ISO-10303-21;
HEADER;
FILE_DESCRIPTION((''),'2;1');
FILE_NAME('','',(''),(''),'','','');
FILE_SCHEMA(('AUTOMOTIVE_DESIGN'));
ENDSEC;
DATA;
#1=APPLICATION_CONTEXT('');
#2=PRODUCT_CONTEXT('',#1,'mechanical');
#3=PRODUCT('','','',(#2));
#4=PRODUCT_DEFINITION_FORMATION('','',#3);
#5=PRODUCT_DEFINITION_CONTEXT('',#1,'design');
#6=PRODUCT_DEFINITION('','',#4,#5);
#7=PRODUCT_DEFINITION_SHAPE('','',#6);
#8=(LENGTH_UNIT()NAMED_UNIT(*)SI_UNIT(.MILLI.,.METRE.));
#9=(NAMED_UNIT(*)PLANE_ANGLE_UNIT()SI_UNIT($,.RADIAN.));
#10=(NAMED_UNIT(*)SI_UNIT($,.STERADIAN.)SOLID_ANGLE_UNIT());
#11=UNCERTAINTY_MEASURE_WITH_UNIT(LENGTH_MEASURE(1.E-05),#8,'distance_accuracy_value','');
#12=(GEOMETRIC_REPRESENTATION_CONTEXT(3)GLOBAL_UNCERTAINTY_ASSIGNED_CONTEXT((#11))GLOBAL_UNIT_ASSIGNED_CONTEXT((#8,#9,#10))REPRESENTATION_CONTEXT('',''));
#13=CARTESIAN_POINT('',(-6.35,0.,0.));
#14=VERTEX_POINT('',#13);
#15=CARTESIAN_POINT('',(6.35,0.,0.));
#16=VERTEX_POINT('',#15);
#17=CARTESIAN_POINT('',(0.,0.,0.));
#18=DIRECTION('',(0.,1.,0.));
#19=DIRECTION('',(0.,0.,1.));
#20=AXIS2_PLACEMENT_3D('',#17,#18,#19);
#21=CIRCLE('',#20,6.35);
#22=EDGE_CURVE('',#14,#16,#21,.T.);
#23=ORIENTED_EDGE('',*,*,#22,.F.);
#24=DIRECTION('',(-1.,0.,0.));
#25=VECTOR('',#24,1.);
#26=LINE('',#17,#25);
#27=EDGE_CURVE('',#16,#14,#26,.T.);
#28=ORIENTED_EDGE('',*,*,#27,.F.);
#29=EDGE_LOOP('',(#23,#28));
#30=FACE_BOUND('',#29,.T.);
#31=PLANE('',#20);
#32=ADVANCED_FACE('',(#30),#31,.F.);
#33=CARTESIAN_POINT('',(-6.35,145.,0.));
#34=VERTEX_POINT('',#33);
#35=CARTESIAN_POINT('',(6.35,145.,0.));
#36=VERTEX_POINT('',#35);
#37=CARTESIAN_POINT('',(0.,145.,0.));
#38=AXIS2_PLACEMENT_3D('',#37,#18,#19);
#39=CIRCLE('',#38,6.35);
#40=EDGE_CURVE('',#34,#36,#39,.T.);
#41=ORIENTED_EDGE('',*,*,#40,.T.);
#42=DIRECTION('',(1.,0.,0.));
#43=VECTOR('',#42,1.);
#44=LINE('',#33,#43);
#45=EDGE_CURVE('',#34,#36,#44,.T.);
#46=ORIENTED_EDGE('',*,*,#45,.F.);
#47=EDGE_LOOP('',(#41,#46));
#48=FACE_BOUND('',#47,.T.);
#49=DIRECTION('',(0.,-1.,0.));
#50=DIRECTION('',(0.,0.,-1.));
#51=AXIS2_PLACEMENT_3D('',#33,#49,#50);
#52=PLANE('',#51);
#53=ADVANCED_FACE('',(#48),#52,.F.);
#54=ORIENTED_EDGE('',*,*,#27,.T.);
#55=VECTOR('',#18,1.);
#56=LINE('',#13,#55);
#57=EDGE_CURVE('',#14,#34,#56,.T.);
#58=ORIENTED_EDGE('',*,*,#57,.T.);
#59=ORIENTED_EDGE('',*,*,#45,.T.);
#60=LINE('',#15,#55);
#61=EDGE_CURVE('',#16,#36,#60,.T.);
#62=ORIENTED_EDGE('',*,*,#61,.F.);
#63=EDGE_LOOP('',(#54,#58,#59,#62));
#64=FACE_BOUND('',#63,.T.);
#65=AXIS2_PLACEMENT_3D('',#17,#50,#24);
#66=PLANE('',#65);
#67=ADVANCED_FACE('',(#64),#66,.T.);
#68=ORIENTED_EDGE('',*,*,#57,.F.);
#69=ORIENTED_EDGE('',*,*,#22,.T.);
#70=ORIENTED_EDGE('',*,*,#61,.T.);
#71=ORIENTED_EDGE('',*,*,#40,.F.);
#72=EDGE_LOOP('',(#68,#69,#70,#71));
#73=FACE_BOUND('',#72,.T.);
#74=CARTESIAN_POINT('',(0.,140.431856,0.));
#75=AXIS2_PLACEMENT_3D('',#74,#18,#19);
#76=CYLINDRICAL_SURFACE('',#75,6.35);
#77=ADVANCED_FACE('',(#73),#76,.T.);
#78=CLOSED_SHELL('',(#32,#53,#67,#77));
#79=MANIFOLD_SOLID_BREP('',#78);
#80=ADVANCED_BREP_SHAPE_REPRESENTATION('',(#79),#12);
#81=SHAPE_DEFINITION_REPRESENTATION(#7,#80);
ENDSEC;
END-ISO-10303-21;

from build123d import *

# Parameters (mm, degrees)
SKETCH1_W      = 6.35
SKETCH1_H      = 145
REVOLVE1_ANGLE = 180


with BuildPart() as part:
    # Sketch1 → Revolve1 (revolve)
    with BuildSketch(Plane.XY):
        with Locations((3.175, 72.5)):
            Rectangle(SKETCH1_W, SKETCH1_H)
    revolve(axis=Axis((0, 140.431855582, 0), (0, -1, 0)), revolution_arc=REVOLVE1_ANGLE)


solid = part.part
